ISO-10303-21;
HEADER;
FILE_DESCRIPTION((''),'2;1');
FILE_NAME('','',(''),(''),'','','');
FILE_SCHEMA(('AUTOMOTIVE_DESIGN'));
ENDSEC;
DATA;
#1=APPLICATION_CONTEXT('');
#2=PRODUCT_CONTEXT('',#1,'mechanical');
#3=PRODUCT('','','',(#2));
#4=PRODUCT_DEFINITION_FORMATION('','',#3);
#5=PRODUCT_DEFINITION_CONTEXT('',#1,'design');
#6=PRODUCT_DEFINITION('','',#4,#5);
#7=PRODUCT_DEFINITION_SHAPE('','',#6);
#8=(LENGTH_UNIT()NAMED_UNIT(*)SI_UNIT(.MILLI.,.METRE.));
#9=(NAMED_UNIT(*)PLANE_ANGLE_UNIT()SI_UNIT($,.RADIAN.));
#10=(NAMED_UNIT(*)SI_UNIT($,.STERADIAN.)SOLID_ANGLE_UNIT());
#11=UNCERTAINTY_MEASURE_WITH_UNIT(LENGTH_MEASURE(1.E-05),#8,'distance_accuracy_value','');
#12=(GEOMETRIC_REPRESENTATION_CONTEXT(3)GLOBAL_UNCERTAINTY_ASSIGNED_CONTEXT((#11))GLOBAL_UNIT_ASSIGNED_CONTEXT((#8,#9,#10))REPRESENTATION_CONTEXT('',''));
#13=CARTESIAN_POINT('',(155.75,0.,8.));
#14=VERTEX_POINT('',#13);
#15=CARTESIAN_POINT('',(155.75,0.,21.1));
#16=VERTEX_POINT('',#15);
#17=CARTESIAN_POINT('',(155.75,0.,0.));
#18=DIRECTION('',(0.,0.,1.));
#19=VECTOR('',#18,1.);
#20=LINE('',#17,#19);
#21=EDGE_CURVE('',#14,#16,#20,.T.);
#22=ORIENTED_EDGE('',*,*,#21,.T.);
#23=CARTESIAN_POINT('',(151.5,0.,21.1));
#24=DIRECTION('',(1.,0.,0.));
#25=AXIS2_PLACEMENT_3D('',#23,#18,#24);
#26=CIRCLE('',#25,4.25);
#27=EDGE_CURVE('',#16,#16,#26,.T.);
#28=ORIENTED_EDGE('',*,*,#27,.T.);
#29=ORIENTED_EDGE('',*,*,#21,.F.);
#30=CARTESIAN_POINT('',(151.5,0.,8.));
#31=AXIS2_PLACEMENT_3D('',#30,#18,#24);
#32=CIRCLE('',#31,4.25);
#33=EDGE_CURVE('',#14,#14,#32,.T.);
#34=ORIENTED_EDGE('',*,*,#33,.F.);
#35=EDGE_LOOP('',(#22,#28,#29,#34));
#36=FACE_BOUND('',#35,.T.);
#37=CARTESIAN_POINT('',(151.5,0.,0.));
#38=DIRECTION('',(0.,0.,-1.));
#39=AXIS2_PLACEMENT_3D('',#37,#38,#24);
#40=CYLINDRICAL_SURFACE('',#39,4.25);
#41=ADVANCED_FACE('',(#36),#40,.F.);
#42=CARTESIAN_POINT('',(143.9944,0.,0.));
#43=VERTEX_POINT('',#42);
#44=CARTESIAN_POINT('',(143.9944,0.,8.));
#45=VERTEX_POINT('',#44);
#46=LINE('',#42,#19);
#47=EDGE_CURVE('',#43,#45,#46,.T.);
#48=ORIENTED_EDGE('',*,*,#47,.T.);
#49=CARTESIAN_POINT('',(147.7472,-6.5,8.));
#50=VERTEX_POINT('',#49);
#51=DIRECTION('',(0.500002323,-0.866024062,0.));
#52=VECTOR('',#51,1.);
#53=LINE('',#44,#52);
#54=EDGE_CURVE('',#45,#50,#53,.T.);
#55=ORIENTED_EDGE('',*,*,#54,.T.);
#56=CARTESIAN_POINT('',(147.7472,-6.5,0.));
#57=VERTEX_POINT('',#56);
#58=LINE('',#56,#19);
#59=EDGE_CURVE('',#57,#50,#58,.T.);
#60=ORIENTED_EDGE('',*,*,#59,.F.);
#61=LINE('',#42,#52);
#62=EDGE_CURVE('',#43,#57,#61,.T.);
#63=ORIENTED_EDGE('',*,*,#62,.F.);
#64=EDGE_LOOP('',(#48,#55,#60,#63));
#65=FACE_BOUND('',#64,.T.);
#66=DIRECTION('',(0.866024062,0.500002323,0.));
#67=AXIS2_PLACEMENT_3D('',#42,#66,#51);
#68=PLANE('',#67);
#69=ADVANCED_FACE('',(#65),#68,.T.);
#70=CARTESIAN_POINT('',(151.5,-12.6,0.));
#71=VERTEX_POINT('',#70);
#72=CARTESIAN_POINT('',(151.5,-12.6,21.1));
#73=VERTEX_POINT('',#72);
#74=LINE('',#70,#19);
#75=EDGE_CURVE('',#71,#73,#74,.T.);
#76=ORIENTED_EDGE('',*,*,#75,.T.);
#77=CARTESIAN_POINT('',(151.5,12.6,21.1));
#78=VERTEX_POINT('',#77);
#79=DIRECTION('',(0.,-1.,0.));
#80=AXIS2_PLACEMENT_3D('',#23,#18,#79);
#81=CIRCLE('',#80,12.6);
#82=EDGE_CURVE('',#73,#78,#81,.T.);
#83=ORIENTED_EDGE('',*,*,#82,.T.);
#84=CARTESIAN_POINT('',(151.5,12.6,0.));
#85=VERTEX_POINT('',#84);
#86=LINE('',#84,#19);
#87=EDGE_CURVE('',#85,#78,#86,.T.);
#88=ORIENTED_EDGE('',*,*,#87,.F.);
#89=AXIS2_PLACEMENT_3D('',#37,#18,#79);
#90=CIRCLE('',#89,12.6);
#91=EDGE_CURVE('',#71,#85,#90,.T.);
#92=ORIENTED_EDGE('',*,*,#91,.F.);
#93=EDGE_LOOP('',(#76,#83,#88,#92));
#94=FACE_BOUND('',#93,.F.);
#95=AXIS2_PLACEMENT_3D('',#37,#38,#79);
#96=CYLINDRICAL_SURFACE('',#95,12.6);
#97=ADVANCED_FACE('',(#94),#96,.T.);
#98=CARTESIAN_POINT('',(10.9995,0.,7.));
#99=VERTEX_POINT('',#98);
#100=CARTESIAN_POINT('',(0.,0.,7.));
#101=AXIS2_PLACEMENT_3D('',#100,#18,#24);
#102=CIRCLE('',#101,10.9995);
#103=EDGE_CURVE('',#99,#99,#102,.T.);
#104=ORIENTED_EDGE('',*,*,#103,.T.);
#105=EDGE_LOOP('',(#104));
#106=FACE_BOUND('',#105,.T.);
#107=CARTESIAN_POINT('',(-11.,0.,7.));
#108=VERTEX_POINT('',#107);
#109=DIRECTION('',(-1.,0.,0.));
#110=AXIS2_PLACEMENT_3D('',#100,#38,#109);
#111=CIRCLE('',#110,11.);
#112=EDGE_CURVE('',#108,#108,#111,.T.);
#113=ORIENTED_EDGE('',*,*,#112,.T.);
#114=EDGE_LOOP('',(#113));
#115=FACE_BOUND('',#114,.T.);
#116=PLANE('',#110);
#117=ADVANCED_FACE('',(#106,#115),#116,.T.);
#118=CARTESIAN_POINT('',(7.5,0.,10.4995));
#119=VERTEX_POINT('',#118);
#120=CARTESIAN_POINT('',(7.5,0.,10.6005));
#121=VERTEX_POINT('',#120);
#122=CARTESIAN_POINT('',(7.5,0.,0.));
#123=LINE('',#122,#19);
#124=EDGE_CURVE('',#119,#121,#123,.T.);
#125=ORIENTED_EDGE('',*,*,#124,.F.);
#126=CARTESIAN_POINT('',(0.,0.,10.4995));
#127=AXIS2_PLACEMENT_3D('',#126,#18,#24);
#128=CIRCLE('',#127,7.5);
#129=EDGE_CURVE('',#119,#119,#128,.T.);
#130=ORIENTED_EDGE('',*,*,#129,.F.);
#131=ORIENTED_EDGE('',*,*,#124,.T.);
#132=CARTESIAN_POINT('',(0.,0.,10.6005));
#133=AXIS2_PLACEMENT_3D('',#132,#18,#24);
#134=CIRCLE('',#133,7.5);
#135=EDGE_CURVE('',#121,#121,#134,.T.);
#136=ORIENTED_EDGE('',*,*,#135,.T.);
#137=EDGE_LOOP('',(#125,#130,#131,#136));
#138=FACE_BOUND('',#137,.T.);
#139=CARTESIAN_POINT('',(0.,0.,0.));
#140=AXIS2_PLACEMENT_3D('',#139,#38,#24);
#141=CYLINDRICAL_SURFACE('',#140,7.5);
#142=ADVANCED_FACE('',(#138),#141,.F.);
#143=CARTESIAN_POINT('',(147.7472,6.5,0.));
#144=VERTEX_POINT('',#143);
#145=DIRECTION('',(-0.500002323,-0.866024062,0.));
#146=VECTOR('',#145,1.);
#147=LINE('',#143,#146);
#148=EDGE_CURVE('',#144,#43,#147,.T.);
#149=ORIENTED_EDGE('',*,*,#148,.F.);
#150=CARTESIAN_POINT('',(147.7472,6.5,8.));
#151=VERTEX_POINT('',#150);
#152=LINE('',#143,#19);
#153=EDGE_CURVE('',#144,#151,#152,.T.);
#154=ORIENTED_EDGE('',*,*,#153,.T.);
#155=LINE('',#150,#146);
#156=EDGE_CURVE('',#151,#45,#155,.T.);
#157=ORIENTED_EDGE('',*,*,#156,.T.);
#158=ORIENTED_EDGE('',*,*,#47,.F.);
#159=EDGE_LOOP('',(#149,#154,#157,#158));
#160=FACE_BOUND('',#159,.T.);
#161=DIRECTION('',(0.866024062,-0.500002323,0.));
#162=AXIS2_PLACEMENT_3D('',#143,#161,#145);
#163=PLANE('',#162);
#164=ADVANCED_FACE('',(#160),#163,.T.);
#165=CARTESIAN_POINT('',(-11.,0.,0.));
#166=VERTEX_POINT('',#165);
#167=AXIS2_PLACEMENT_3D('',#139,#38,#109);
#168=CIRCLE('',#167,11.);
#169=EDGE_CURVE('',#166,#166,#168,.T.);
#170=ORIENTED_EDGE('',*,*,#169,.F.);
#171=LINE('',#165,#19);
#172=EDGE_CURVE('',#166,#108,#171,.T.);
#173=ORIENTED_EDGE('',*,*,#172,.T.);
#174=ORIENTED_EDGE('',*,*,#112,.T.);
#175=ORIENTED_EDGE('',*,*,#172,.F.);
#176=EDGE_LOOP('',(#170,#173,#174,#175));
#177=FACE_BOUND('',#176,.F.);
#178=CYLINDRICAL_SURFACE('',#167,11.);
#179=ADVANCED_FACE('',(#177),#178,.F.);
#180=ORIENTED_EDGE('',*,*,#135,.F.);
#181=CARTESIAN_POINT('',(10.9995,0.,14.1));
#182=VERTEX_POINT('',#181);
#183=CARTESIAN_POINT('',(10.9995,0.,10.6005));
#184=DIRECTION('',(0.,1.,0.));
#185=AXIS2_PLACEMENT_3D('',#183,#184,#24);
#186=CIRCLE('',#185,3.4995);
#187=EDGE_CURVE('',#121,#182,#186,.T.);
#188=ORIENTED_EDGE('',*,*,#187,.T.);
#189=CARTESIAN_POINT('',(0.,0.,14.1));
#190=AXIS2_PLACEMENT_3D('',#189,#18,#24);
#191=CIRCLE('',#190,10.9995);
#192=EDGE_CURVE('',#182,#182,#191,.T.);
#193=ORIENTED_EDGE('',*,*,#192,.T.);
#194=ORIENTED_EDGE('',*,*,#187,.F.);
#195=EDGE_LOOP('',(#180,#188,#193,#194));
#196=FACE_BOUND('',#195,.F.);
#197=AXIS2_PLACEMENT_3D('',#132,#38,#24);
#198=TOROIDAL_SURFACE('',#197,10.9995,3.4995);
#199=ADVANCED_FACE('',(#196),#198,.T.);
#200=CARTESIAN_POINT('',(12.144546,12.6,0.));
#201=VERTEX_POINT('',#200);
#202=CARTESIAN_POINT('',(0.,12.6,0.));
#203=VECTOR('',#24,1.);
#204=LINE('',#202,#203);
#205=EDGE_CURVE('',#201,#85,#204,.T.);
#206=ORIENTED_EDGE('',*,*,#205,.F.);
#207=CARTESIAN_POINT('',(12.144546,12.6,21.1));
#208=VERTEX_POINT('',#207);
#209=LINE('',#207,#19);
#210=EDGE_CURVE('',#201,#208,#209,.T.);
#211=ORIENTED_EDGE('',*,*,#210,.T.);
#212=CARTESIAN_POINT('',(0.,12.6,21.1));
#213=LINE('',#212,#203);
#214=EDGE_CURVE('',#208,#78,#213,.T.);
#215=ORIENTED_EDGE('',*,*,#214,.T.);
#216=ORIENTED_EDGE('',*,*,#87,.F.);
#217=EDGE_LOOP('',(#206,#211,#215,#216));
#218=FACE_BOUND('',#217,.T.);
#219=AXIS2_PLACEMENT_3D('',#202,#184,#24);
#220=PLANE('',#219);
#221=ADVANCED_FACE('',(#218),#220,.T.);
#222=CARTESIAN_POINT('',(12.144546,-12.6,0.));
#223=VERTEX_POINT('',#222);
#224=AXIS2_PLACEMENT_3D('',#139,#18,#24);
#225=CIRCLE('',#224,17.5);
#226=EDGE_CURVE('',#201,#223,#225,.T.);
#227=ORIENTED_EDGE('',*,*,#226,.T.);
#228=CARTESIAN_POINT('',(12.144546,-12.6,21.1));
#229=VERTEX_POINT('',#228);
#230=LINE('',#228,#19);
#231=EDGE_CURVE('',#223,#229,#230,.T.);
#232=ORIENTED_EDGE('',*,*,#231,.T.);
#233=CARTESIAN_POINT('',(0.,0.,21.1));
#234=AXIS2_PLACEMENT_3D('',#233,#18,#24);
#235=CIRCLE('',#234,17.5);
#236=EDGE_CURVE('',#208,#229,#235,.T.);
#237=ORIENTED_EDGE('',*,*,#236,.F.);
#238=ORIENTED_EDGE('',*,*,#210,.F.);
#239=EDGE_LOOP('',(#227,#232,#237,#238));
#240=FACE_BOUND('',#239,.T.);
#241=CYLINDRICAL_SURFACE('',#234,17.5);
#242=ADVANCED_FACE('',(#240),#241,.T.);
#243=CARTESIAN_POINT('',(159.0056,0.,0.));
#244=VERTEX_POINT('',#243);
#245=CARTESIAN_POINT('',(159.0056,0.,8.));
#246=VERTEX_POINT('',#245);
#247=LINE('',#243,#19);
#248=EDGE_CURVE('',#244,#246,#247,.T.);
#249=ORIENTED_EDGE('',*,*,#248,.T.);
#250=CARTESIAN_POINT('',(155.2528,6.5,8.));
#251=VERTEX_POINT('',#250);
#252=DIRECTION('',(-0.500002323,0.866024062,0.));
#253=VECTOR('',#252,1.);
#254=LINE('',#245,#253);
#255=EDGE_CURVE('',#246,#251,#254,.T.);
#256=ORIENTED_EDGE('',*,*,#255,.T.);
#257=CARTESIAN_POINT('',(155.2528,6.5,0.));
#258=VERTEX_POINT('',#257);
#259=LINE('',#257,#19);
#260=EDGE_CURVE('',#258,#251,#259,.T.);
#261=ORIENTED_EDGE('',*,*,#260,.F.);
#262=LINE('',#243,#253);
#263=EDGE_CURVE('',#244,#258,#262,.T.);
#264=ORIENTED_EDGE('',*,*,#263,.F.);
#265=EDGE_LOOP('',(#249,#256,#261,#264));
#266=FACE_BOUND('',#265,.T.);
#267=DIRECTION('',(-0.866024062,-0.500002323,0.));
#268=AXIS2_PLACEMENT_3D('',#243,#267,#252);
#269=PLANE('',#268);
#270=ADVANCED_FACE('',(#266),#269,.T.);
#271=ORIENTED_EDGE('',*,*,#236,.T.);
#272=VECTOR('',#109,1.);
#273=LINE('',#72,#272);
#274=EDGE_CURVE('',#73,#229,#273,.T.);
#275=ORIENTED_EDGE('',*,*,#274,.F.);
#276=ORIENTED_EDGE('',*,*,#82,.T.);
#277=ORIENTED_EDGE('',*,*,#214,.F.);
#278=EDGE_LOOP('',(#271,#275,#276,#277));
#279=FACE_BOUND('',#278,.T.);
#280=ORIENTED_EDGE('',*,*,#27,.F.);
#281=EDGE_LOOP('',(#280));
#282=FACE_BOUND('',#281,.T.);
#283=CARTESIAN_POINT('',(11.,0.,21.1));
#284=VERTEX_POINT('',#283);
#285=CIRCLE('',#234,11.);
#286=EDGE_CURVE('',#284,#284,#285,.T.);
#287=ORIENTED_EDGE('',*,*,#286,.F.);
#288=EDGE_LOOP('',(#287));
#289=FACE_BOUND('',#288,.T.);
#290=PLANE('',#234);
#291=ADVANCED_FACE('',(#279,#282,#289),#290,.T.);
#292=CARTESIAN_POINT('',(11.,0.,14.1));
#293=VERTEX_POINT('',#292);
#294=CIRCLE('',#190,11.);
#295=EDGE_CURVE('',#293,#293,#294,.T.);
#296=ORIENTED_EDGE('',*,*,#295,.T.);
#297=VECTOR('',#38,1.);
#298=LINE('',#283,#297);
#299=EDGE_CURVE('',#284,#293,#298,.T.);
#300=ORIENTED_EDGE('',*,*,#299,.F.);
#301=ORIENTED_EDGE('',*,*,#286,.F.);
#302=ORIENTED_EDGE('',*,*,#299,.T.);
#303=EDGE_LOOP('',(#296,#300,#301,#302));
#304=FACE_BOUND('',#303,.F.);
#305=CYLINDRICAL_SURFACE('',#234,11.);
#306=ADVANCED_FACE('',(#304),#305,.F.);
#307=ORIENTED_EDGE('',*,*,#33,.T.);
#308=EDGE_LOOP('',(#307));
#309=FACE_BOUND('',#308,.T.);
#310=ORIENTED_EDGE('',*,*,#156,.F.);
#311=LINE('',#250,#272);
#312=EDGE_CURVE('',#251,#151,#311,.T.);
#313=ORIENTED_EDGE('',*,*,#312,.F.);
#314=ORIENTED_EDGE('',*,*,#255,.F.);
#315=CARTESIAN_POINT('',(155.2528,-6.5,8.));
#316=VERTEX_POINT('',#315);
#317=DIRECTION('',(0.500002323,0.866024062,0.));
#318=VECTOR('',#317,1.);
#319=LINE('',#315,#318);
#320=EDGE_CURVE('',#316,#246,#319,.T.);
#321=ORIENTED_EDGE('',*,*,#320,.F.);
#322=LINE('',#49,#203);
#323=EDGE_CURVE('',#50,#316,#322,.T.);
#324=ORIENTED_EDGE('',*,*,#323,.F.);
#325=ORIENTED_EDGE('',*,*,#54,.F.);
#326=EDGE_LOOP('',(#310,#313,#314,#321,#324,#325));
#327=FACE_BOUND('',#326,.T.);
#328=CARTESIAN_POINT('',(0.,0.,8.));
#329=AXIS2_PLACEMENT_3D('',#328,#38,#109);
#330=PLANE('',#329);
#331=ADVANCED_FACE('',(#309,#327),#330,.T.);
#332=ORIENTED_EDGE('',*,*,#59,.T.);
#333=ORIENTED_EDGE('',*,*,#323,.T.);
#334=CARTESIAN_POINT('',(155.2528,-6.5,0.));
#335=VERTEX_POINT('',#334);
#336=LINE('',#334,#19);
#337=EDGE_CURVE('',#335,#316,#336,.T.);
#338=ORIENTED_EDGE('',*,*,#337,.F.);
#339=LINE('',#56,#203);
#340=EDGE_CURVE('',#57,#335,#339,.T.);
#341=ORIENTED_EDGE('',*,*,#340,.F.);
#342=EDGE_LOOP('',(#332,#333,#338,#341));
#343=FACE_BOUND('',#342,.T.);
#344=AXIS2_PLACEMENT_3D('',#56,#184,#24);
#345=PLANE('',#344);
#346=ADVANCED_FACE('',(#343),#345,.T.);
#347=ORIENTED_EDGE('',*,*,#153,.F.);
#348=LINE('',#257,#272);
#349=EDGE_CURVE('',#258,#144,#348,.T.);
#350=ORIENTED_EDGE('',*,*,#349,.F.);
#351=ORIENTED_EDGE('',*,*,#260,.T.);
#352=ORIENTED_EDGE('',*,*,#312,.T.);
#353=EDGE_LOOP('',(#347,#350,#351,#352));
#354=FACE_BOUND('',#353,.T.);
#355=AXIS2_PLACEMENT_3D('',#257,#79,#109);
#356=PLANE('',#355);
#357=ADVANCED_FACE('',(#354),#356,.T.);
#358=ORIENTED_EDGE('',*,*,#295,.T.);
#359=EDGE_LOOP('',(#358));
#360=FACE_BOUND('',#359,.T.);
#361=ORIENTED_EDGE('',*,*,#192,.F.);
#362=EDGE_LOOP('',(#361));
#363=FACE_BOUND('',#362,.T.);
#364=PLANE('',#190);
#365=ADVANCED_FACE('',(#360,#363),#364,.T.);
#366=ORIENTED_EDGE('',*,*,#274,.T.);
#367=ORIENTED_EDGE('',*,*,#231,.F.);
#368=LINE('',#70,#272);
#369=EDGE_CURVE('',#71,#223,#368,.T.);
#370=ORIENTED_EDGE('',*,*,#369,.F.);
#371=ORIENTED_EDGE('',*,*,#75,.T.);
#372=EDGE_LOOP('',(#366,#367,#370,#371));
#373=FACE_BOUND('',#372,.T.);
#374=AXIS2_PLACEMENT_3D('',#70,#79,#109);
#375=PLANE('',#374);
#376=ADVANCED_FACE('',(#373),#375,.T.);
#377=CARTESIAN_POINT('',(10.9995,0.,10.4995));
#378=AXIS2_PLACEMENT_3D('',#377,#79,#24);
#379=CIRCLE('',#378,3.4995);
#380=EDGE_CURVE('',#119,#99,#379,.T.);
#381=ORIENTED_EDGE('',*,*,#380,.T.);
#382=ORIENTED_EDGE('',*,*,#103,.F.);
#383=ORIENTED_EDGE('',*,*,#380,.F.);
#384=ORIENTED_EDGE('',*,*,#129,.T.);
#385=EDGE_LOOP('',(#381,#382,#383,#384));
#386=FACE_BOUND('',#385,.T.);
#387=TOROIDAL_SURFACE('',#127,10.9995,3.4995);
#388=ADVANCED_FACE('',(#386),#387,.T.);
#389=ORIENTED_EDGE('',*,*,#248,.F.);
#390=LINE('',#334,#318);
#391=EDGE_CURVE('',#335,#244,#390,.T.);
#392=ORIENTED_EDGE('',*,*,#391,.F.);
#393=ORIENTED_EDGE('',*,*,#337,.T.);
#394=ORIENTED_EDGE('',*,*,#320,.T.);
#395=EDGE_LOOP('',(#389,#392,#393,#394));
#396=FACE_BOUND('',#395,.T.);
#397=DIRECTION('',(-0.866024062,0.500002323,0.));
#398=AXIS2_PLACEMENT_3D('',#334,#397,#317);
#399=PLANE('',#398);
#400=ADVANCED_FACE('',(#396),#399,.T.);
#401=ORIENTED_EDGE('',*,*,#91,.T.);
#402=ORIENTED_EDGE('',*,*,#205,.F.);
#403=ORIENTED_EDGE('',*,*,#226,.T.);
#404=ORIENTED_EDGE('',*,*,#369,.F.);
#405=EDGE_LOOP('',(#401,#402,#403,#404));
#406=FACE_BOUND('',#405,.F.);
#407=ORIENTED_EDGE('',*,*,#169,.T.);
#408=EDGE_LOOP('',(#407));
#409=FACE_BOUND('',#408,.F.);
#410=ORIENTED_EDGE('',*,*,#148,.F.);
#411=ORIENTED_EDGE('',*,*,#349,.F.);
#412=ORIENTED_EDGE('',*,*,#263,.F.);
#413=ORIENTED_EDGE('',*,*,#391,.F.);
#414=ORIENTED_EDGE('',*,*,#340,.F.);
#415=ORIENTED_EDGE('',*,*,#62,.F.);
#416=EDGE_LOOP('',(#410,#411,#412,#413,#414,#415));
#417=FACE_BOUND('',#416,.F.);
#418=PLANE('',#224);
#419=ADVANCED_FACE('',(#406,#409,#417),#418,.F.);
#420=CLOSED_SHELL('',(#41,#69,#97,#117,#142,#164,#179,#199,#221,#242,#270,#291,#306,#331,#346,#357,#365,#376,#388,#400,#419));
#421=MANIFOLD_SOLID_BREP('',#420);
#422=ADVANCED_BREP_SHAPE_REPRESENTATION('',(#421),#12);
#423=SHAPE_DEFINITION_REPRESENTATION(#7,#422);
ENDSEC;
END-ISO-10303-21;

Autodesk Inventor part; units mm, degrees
ref_plane "YZ Plane" through (0, 0, 0) normal (1, 0, 0) x (0, 1, 0)
ref_plane "XZ Plane" through (0, 0, 0) normal (0, 1, 0) x (-1, 0, 0)
ref_plane "XY Plane" through (0, 0, 0) normal (0, 0, 1) x (1, 0, 0)
sketch "Sketch1" plane through (0, 0, 0) normal (0, 0, 1) x (1, 0, 0)
  line L0 (0, 12.6) -> (151.5, 12.6)
  arc A0 (151.5, -12.6) -> (151.5, 12.6) centre (151.5, 0) ccw
  line L1 (151.5, -12.6) -> (0, -12.6)
  arc A1 (0, 12.6) -> (0, -12.6) centre (0, 0) ccw
  circle A2 centre (0, 0) radius 7.5
  circle A3 centre (151.5, 0) radius 4.25
  dimension "d0" = 151.5
  dimension "d2" = 12.6
  dimension "d3" = 15
  dimension "d4" = 8.5
extrude "Extrusion1" add sketch "Sketch1" along normal blind 21.1
sketch "Sketch2" plane through (0, 0, 21.1) normal (0, 0, 1) x (1, 0, 0)
  circle A0 centre (0, 0) radius 7.5 projected
  arc A1 (0, 12.6) -> (0, -12.6) centre (0, 0) ccw projected
  circle A2 centre (0, 0) radius 11
  dimension "d7" = 22
extrude "Extrusion2" cut sketch "Sketch2" against normal blind 7
sketch "Sketch6" plane through (0, 0, 21.1) normal (0, 0, 1) x (1, 0, 0)
  circle A0 centre (0, 0) radius 11 projected
  arc A1 (0, 12.6) -> (0, -12.6) centre (0, 0) ccw projected
  circle A2 centre (0, 0) radius 17.5
  dimension "d25" = 35
extrude "Extrusion5" add sketch "Sketch6" against normal up to surface (21.1 mm away)
sketch "Sketch7" plane through (0, 0, 0) normal (0, 0, -1) x (-1, 0, 0)
  circle A0 centre (0, 0) radius 7.5 projected
  circle A1 centre (0, 0) radius 11 projected
extrude "Extrusion6" cut sketch "Sketch7" against normal blind 7
sketch "Sketch8" plane through (0, 0, 0) normal (0, 0, -1) x (-1, 0, 0)
  circle A0 centre (-151.5, 0) radius 4.25 projected
  arc A1 (-151.5, 12.6) -> (-151.5, -12.6) centre (-151.5, 0) ccw projected
  line L0 (-143.9944, 0) -> (-147.7472, -6.5)
  line L1 (-147.7472, -6.5) -> (-155.2528, -6.5)
  line L2 (-155.2528, -6.5) -> (-159.0056, 0)
  line L3 (-159.0056, 0) -> (-155.2528, 6.5)
  line L4 (-155.2528, 6.5) -> (-147.7472, 6.5)
  line L5 (-147.7472, 6.5) -> (-143.9944, 0)
  dimension "d31" = 13
extrude "Extrusion7" cut sketch "Sketch8" against normal blind 8
fillet "Fillet1" radius 3.5 1 edges at (-7.5, 0, 14.1)
fillet "Fillet2" radius 3.5 1 edges at (-7.5, 0, 7)
properties part number "proximal thin arm"
